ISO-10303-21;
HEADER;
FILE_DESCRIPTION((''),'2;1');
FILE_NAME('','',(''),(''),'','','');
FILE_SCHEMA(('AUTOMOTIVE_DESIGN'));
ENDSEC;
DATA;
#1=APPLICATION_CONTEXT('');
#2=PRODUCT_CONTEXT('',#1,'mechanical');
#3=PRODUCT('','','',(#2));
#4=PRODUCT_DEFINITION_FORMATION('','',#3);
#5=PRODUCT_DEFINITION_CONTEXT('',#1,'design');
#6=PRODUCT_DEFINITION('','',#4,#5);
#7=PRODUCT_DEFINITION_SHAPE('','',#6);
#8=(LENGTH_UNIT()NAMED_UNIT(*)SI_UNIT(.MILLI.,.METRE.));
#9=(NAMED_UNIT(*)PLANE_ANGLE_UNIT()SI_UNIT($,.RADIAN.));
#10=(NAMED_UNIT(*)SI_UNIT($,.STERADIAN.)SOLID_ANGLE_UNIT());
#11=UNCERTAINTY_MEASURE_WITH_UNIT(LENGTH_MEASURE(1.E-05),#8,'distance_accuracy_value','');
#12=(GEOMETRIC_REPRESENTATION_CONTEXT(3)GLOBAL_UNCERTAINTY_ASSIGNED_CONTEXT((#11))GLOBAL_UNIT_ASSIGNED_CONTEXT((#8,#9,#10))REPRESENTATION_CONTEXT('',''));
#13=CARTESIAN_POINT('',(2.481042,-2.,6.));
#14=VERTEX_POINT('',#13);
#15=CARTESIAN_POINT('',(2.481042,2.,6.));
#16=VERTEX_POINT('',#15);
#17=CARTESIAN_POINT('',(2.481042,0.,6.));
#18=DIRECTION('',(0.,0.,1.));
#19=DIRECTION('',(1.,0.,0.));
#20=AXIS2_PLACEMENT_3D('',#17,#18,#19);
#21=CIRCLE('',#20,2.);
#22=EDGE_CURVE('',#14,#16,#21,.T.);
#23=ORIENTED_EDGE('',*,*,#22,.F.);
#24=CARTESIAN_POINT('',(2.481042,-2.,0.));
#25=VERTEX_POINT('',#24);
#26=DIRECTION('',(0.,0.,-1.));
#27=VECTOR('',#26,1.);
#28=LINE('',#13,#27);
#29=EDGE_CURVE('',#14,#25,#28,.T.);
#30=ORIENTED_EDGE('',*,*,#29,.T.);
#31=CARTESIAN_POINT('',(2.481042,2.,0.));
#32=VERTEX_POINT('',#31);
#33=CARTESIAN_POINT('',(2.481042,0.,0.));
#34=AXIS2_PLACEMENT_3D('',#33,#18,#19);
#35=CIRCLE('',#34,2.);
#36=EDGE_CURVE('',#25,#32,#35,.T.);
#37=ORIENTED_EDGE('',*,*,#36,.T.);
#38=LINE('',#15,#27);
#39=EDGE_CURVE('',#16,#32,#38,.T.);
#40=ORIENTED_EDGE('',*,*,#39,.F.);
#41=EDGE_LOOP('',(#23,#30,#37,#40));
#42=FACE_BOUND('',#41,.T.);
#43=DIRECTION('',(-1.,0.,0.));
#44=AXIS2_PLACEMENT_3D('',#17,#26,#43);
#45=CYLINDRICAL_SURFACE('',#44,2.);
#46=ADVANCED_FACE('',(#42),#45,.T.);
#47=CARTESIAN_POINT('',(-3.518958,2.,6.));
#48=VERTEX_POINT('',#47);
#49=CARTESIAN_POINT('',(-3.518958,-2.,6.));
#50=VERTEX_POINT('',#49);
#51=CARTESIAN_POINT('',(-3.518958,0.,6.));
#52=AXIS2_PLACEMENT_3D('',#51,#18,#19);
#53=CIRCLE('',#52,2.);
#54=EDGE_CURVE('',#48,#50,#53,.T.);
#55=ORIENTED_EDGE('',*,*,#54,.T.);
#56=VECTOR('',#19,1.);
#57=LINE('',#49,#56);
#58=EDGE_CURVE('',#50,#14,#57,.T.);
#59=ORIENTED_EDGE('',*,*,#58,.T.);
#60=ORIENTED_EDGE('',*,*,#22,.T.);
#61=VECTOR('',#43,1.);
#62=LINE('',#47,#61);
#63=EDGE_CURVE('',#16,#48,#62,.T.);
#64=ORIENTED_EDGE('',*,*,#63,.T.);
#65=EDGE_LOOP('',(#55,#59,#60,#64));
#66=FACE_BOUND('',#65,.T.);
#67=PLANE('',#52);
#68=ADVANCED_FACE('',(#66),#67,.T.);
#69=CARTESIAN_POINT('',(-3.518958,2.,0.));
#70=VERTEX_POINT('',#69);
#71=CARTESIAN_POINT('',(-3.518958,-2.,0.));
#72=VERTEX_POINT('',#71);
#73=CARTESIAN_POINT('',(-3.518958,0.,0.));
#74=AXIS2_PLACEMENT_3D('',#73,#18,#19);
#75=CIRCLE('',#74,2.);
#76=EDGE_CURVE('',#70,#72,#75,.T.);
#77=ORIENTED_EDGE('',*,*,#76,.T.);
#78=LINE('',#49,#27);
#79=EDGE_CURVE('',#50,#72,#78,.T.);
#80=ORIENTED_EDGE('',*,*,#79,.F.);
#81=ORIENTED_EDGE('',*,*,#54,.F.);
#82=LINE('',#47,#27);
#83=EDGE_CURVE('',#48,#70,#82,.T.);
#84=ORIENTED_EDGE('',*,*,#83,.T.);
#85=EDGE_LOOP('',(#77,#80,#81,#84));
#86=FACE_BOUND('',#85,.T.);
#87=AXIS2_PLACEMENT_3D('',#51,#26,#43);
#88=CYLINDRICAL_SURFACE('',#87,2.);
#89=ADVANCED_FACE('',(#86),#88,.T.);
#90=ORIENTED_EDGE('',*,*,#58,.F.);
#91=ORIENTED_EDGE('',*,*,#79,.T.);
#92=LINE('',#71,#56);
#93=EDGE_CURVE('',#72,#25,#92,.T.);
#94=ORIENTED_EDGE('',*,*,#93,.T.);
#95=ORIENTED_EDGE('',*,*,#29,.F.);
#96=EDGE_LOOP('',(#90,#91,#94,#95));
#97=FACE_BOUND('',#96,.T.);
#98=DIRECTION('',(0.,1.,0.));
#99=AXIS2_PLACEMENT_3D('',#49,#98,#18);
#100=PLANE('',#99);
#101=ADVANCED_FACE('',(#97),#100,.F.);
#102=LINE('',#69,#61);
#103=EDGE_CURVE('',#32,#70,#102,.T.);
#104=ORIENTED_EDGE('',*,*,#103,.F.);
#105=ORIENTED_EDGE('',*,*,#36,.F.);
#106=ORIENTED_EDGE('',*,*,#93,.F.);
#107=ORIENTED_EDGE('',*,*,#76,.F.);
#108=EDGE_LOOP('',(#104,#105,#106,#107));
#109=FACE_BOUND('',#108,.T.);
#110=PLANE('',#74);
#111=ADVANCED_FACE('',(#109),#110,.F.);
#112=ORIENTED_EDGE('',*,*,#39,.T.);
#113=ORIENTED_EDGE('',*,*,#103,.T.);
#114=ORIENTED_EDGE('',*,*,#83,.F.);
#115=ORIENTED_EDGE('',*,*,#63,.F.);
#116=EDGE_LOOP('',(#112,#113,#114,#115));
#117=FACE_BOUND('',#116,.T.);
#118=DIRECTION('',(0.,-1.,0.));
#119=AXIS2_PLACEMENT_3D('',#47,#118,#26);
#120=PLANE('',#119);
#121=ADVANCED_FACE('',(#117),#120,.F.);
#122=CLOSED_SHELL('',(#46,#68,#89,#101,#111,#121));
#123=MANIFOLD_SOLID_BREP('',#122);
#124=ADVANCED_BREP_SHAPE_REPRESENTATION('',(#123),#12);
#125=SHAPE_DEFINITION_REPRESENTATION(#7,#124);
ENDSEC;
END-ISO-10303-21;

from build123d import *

# Parameters (mm, degrees)
EXTRUDE_1_DEPTH = 6


with BuildPart() as part:
    # Эскиз1 → Бобышка-Вытянуть1 (new body)
    with BuildSketch(Plane.XY):
        with BuildLine():
            Line((-3.518958198, 2), (2.481041802, 2))
            ThreePointArc((2.481041802, 2), (4.481041802, 0), (2.481041802, -2))
            Line((2.481041802, -2), (-3.518958198, -2))
            ThreePointArc((-3.518958198, -2), (-5.518958198, 0), (-3.518958198, 2))
        make_face()
    extrude(amount=EXTRUDE_1_DEPTH)


solid = part.part
